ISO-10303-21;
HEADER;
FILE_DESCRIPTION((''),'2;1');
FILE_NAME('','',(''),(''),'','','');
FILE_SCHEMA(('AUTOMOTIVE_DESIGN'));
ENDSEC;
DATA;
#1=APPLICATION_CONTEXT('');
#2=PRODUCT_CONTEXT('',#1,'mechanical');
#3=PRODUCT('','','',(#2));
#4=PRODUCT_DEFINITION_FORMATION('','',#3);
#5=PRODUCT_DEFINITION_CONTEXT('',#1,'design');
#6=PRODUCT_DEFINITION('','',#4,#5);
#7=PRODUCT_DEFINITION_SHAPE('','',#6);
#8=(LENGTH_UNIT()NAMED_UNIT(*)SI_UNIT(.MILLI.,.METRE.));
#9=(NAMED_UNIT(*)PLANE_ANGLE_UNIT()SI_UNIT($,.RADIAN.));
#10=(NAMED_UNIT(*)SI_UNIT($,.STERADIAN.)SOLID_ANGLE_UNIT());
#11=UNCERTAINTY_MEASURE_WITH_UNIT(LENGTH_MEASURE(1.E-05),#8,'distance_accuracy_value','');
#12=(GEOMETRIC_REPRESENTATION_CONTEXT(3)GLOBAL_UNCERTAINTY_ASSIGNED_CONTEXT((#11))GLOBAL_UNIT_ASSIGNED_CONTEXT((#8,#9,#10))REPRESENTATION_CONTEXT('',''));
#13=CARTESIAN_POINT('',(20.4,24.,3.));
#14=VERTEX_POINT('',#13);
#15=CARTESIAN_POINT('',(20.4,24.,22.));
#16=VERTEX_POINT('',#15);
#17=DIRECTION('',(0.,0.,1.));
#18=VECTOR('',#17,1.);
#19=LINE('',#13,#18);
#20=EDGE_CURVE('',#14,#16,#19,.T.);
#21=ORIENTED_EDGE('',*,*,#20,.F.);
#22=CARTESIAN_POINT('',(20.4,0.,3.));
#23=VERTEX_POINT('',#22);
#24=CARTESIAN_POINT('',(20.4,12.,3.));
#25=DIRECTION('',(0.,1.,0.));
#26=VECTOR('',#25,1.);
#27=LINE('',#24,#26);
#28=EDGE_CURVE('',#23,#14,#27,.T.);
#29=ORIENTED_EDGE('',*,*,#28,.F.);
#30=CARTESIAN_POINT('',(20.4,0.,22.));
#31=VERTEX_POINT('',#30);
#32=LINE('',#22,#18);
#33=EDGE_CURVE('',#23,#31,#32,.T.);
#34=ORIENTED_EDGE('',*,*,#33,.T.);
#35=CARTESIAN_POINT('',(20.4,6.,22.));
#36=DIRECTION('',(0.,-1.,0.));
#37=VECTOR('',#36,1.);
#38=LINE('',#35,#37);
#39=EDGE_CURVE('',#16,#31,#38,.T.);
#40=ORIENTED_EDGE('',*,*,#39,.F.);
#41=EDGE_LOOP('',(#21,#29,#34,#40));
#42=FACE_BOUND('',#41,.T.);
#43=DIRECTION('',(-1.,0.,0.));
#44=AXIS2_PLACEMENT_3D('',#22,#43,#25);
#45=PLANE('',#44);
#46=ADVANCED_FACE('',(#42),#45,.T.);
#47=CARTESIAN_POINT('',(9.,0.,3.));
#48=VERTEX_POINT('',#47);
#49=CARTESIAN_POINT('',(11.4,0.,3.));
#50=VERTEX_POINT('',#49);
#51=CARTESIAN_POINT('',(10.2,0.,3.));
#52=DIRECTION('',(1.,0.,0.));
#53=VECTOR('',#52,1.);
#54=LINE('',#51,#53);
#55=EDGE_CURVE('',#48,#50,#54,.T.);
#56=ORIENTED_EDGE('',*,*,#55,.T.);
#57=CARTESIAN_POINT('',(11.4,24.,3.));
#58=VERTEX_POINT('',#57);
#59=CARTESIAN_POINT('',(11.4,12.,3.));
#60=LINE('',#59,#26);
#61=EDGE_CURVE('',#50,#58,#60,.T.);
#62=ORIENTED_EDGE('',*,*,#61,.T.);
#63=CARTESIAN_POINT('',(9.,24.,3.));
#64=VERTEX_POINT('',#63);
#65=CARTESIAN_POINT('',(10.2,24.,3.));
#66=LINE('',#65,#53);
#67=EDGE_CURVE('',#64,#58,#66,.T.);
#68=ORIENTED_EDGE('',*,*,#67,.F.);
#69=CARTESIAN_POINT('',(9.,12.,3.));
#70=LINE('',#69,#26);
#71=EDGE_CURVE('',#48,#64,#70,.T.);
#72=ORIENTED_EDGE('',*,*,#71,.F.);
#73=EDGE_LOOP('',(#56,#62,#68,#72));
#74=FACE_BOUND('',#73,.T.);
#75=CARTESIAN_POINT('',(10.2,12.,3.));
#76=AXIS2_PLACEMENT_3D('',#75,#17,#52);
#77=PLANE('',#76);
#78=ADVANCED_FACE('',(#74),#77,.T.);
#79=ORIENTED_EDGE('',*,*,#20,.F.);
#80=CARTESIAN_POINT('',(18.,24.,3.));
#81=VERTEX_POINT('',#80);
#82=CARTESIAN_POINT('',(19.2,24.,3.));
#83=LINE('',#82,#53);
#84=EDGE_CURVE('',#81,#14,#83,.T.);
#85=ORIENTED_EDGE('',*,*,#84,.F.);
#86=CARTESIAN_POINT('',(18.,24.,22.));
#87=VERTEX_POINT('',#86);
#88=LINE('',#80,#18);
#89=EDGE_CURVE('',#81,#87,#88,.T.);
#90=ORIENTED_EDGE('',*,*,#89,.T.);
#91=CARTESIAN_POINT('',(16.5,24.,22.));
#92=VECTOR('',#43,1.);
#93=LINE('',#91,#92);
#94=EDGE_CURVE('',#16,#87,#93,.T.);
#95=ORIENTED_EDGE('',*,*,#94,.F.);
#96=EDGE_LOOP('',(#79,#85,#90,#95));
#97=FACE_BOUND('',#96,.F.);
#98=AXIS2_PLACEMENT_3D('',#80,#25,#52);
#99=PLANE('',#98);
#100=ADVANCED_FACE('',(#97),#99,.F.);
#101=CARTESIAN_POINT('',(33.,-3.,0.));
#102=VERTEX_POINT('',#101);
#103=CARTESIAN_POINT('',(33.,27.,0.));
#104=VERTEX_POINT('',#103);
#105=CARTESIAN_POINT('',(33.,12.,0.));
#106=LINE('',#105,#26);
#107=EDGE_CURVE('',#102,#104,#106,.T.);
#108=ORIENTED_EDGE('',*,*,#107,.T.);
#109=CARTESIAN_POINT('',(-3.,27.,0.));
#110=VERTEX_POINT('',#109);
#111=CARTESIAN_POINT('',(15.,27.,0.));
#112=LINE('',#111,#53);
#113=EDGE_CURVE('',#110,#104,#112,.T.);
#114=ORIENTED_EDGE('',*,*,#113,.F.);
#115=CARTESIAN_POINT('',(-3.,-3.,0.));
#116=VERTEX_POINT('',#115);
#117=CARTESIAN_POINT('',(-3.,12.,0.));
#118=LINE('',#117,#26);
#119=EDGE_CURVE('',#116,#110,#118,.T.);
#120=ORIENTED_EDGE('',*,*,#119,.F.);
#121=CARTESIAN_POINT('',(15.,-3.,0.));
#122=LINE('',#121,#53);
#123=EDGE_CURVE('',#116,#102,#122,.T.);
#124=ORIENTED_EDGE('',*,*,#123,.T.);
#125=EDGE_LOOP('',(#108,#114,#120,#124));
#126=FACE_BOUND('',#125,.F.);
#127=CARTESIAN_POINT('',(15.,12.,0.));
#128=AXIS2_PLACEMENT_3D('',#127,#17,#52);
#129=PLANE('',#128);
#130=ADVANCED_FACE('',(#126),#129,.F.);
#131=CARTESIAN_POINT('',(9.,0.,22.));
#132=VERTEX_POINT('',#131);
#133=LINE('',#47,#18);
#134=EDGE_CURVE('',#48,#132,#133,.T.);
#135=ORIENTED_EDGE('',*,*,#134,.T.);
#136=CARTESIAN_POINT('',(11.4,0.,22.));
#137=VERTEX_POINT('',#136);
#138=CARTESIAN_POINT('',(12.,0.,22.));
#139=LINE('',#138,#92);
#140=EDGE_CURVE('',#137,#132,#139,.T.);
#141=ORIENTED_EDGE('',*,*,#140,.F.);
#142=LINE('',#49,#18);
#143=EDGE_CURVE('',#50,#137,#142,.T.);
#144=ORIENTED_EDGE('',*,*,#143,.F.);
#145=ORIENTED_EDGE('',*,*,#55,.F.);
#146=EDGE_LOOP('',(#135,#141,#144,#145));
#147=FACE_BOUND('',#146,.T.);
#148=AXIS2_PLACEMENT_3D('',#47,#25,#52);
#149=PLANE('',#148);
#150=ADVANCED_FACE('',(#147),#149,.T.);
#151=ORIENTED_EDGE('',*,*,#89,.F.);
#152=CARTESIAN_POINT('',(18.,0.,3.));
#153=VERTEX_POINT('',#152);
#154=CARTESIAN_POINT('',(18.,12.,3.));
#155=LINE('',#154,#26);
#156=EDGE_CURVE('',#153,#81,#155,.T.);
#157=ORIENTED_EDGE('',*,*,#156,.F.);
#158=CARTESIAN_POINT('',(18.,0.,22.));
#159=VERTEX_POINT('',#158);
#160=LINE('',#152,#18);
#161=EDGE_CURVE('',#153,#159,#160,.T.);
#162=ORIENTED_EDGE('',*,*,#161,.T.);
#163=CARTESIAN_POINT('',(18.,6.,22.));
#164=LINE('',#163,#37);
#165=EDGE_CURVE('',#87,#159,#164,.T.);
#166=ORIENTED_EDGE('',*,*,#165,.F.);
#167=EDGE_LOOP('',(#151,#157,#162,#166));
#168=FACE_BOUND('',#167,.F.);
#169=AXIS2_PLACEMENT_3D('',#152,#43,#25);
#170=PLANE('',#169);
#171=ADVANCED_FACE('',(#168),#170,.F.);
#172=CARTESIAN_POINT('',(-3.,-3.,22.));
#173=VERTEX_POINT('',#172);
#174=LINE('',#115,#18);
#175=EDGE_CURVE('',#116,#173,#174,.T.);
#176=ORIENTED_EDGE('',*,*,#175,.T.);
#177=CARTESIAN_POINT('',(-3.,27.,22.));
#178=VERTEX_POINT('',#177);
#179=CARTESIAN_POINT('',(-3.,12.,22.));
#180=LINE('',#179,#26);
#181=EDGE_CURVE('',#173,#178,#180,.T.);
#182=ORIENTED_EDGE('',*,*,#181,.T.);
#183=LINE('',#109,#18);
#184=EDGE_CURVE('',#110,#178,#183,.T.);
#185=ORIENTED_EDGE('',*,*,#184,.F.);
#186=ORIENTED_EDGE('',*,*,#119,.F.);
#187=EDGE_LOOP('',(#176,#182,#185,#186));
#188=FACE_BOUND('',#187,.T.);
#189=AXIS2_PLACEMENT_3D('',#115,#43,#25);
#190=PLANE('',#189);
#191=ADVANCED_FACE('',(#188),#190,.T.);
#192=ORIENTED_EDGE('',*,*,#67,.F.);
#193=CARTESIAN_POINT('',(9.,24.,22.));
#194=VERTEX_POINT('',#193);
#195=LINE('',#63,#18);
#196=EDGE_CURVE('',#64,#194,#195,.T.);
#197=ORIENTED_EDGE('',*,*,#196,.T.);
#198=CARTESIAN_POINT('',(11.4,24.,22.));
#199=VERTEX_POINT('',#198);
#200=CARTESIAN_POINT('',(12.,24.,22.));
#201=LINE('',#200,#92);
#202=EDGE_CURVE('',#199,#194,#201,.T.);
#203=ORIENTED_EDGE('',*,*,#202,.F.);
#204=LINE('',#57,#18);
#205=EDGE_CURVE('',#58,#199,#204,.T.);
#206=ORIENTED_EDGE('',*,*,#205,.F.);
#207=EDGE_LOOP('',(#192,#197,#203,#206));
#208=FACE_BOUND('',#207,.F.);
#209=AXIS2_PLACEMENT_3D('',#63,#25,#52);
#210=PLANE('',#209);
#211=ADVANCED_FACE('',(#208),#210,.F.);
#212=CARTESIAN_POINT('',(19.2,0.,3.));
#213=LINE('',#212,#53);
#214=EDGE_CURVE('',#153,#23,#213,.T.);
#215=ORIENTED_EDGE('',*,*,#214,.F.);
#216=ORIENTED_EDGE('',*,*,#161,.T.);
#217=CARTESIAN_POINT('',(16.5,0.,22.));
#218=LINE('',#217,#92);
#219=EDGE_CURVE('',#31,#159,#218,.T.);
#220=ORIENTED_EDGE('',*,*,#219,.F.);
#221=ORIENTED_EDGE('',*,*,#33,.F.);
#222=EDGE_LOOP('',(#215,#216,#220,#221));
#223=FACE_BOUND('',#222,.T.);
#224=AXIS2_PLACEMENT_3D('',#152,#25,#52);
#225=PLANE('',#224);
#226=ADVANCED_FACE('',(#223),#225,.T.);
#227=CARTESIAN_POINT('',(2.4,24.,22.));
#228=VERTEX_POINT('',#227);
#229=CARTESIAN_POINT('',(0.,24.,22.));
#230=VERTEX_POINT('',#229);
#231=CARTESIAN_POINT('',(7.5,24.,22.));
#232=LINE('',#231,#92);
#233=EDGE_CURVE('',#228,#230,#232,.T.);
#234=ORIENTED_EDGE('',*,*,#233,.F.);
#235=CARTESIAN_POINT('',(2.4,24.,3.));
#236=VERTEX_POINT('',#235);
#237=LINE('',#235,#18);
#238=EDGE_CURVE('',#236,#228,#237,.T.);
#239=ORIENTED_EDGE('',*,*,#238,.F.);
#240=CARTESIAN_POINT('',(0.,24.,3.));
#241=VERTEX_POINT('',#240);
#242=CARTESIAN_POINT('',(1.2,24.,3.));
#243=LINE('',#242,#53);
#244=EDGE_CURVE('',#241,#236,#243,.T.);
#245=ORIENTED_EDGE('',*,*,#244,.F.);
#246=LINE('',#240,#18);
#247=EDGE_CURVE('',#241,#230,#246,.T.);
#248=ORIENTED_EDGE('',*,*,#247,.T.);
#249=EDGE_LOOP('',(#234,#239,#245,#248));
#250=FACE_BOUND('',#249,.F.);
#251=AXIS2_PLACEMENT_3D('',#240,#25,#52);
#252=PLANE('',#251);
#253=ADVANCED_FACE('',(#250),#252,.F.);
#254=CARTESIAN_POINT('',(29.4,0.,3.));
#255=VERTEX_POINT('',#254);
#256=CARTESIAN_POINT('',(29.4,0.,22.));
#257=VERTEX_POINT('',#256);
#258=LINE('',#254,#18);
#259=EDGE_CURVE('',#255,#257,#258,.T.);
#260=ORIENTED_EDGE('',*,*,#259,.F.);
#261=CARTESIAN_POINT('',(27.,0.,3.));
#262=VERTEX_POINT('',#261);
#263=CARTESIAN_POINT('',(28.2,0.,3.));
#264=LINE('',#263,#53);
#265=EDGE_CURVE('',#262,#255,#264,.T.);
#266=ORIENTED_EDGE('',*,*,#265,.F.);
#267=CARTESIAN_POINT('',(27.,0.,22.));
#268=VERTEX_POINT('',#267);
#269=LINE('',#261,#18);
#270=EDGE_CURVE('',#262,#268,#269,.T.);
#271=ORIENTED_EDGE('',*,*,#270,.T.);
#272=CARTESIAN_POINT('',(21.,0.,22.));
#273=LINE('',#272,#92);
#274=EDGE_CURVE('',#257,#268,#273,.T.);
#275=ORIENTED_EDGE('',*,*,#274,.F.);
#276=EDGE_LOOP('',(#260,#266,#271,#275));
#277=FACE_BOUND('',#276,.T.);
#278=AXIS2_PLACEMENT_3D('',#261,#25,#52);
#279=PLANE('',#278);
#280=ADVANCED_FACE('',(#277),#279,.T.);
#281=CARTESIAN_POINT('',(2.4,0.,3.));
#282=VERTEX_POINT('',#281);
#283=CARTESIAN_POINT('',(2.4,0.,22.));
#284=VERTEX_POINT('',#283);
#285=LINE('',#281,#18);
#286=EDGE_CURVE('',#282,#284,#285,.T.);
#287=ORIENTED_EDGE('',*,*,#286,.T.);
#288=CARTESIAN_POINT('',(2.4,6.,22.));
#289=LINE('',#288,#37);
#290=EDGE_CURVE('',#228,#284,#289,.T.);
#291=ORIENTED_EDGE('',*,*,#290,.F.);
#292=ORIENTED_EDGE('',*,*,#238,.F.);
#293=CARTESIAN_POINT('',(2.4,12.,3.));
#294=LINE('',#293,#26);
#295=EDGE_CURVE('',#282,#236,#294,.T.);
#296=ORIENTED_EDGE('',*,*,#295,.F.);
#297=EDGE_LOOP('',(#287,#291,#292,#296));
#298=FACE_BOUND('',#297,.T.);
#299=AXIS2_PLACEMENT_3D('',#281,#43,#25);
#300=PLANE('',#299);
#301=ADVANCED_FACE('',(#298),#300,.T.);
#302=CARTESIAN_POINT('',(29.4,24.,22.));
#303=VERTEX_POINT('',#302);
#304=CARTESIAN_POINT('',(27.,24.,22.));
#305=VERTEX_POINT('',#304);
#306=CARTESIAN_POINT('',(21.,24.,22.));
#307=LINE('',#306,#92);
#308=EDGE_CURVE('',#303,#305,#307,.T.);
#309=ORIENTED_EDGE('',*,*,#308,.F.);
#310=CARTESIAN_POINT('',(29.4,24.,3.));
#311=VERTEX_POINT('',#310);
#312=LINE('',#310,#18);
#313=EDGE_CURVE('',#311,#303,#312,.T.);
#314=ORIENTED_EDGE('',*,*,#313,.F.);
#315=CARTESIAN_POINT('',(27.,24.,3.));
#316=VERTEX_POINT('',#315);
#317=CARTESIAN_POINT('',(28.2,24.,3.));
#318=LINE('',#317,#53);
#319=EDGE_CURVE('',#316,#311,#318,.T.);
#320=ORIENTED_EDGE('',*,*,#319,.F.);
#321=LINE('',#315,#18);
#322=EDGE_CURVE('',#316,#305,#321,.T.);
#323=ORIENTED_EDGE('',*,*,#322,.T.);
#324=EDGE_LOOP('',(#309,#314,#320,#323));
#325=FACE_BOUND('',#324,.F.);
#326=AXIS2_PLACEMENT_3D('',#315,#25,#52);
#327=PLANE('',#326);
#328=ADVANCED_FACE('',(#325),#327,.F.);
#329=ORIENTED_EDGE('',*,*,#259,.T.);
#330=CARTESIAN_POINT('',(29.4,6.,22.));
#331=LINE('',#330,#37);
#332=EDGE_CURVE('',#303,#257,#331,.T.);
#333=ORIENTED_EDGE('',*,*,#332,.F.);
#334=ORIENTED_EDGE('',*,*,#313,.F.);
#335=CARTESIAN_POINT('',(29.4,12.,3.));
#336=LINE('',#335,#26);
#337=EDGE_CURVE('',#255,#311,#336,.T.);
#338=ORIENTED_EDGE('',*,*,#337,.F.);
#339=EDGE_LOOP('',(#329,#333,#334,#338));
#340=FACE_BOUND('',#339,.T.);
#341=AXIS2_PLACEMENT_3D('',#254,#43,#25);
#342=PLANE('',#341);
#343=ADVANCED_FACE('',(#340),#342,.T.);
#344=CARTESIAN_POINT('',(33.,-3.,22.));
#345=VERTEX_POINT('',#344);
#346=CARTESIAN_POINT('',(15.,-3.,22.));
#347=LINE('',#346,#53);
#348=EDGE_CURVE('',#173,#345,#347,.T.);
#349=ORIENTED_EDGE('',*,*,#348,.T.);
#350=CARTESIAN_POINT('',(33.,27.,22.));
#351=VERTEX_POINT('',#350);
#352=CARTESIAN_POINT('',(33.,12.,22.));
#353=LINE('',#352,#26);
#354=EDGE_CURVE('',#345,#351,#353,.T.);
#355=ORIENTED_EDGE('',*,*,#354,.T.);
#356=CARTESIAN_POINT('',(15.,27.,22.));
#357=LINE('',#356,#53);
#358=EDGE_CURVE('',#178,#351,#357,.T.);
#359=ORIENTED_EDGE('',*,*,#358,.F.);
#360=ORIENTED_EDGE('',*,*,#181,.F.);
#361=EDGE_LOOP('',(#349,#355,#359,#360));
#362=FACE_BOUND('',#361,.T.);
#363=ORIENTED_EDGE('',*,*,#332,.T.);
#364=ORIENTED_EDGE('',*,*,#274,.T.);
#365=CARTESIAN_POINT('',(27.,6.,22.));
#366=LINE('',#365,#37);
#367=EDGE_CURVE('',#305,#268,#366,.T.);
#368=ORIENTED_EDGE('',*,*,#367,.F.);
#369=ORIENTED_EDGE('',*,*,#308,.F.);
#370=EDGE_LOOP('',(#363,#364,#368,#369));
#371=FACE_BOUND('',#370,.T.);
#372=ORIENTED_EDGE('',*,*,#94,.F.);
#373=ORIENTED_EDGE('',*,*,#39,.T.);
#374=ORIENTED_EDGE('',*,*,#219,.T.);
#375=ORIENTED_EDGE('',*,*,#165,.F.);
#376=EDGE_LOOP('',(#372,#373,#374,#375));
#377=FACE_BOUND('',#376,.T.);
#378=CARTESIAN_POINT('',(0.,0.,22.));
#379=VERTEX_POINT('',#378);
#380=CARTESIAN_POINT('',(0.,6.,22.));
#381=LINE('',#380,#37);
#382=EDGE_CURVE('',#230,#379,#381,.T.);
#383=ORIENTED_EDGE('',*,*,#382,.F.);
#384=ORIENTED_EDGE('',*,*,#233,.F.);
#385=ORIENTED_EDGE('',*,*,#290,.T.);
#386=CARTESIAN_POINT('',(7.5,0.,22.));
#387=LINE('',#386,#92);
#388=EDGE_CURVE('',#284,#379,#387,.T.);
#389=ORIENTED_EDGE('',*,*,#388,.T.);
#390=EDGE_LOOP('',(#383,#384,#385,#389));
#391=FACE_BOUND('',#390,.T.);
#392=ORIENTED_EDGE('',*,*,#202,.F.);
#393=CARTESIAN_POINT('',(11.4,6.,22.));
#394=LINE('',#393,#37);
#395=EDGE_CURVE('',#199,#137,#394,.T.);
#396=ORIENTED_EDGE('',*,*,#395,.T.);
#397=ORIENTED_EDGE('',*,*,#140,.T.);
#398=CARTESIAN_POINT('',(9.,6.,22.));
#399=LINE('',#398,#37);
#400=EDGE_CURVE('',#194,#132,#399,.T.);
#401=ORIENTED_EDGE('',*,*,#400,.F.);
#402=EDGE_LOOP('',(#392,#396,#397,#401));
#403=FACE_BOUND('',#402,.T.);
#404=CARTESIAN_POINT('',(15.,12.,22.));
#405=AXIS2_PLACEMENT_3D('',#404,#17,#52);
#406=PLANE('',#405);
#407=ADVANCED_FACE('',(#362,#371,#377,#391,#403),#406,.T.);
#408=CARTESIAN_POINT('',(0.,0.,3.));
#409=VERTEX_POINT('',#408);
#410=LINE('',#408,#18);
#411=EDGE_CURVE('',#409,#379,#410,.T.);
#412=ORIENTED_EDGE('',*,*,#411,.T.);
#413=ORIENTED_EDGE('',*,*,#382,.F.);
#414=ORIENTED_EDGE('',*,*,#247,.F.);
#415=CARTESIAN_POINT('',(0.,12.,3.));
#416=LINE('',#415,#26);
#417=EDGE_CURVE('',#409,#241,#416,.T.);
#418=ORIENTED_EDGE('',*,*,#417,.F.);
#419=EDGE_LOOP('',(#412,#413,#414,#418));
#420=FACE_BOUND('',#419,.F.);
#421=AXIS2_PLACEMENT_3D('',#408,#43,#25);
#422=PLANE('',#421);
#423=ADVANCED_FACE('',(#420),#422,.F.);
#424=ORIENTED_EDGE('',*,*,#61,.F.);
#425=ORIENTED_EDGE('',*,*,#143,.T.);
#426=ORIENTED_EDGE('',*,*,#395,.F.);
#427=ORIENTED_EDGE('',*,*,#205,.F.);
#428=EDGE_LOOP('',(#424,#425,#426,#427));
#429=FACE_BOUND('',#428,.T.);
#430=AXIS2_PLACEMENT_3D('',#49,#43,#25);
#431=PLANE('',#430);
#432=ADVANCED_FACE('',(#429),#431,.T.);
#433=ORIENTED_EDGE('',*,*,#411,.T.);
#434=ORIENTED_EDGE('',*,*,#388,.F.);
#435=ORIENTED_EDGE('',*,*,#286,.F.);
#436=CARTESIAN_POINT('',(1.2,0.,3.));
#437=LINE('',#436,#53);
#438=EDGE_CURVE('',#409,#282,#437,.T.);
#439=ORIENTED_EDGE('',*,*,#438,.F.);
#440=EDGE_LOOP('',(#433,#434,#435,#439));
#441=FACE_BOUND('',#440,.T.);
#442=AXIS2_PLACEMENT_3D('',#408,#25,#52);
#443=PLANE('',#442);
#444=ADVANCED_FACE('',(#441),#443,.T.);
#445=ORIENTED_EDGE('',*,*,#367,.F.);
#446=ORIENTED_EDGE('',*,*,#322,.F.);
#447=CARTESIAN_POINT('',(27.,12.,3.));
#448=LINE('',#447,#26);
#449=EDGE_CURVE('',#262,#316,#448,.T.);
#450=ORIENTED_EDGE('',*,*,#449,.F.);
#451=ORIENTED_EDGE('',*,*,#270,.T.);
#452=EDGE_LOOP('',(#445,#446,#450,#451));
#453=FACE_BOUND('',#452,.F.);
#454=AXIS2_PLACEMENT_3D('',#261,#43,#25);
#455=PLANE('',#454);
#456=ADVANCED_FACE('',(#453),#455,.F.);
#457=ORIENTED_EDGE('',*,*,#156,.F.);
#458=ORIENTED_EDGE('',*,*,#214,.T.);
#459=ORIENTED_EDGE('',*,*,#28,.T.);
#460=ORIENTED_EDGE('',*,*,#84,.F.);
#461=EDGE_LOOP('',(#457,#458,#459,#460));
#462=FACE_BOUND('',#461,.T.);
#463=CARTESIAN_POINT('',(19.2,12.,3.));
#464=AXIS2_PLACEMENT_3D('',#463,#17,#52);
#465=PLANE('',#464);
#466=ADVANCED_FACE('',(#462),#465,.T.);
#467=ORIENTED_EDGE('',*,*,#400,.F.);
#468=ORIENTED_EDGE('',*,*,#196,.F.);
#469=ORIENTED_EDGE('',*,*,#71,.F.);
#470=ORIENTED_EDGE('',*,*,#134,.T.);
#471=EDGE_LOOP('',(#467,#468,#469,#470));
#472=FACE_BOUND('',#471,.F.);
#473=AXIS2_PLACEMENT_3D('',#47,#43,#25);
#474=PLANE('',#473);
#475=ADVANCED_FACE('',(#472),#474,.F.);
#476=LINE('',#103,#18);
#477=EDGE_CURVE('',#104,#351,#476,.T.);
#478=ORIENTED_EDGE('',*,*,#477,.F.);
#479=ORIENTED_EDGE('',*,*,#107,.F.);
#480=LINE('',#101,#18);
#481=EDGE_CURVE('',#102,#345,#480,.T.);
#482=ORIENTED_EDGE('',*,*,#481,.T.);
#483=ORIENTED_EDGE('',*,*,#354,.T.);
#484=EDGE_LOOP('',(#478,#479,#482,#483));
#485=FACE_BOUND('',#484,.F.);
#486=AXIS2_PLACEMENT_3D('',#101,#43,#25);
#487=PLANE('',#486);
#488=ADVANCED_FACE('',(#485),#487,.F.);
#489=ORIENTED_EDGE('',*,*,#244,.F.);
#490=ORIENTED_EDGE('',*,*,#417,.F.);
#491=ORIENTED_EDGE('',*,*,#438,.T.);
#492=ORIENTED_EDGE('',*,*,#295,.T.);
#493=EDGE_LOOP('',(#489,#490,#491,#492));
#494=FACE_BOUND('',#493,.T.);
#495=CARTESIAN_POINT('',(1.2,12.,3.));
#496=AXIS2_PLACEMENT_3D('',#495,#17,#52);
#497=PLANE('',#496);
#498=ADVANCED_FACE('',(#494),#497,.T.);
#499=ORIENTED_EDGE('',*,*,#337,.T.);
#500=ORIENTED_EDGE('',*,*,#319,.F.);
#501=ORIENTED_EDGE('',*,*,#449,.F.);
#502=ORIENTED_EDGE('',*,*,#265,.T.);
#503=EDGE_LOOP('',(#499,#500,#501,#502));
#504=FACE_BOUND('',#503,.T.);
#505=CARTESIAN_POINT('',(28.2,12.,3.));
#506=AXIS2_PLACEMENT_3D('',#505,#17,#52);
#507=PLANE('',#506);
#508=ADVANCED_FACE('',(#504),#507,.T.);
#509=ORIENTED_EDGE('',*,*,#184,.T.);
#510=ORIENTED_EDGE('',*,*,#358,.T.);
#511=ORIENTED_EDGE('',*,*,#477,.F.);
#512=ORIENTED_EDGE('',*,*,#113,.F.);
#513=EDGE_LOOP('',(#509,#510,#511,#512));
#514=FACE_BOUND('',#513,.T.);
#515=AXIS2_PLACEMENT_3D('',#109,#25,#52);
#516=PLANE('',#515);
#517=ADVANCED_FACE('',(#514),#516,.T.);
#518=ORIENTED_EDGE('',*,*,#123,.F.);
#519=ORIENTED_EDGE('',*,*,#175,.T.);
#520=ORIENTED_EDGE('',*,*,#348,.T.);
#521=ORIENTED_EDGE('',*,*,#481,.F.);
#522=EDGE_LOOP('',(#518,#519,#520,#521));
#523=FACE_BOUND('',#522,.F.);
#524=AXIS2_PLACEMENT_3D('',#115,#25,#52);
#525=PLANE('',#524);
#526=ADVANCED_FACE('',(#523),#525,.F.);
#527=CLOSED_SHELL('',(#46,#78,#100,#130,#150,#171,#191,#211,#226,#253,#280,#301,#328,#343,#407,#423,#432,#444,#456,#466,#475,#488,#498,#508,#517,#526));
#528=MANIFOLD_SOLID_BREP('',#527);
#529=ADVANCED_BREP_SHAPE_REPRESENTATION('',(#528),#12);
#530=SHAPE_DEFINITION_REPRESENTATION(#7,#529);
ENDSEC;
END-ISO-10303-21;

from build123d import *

# Parameters (mm, degrees)
BOX_W        = 2.4
BOX_H        = 24
BOX_DEPTH    = 22
BOX001_W     = 2.4
BOX001_H     = 24
BOX001_DEPTH = 22
BOX002_W     = 2.4
BOX002_H     = 24
BOX002_DEPTH = 22
BOX003_W     = 2.4
BOX003_H     = 24
BOX003_DEPTH = 22
BOX004_W     = 36
BOX004_H     = 30
BOX004_DEPTH = 22


with BuildPart() as box:
    # Box → Box (new body)
    with BuildSketch(Plane.XY):
        with Locations((1.2, 12)):
            Rectangle(BOX_W, BOX_H)
    extrude(amount=BOX_DEPTH)


with BuildPart() as box001:
    # Box001 → Box001 (new body)
    with BuildSketch(Plane(origin=(9, 0, 0), x_dir=(1, 0, 0), z_dir=(0, 0, 1))):
        with Locations((1.2, 12)):
            Rectangle(BOX001_W, BOX001_H)
    extrude(amount=BOX001_DEPTH)


with BuildPart() as box002:
    # Box002 → Box002 (new body)
    with BuildSketch(Plane(origin=(18, 0, 0), x_dir=(1, 0, 0), z_dir=(0, 0, 1))):
        with Locations((1.2, 12)):
            Rectangle(BOX002_W, BOX002_H)
    extrude(amount=BOX002_DEPTH)


with BuildPart() as ranuras:
    # Box003 → Box003 (new body)
    with BuildSketch(Plane(origin=(27, 0, 0), x_dir=(1, 0, 0), z_dir=(0, 0, 1))):
        with Locations((1.2, 12)):
            Rectangle(BOX003_W, BOX003_H)
    extrude(amount=BOX003_DEPTH)

    # Fusion: union Box, Box001, Box002
    add(box.part)
    add(box001.part)
    add(box002.part)


with BuildPart() as ranuras_1:
    # Fusion placement: moved
    add(ranuras.part.moved(Location((0, 0, 3))))


with BuildPart() as cut:
    # Box004 → Box004 (new body)
    with BuildSketch(Plane(origin=(-3, -3, 0), x_dir=(1, 0, 0), z_dir=(0, 0, 1))):
        with Locations((18, 15)):
            Rectangle(BOX004_W, BOX004_H)
    extrude(amount=BOX004_DEPTH)

    # Cut: cut Ranuras
    add(ranuras_1.part, mode=Mode.SUBTRACT)


solid = cut.part
